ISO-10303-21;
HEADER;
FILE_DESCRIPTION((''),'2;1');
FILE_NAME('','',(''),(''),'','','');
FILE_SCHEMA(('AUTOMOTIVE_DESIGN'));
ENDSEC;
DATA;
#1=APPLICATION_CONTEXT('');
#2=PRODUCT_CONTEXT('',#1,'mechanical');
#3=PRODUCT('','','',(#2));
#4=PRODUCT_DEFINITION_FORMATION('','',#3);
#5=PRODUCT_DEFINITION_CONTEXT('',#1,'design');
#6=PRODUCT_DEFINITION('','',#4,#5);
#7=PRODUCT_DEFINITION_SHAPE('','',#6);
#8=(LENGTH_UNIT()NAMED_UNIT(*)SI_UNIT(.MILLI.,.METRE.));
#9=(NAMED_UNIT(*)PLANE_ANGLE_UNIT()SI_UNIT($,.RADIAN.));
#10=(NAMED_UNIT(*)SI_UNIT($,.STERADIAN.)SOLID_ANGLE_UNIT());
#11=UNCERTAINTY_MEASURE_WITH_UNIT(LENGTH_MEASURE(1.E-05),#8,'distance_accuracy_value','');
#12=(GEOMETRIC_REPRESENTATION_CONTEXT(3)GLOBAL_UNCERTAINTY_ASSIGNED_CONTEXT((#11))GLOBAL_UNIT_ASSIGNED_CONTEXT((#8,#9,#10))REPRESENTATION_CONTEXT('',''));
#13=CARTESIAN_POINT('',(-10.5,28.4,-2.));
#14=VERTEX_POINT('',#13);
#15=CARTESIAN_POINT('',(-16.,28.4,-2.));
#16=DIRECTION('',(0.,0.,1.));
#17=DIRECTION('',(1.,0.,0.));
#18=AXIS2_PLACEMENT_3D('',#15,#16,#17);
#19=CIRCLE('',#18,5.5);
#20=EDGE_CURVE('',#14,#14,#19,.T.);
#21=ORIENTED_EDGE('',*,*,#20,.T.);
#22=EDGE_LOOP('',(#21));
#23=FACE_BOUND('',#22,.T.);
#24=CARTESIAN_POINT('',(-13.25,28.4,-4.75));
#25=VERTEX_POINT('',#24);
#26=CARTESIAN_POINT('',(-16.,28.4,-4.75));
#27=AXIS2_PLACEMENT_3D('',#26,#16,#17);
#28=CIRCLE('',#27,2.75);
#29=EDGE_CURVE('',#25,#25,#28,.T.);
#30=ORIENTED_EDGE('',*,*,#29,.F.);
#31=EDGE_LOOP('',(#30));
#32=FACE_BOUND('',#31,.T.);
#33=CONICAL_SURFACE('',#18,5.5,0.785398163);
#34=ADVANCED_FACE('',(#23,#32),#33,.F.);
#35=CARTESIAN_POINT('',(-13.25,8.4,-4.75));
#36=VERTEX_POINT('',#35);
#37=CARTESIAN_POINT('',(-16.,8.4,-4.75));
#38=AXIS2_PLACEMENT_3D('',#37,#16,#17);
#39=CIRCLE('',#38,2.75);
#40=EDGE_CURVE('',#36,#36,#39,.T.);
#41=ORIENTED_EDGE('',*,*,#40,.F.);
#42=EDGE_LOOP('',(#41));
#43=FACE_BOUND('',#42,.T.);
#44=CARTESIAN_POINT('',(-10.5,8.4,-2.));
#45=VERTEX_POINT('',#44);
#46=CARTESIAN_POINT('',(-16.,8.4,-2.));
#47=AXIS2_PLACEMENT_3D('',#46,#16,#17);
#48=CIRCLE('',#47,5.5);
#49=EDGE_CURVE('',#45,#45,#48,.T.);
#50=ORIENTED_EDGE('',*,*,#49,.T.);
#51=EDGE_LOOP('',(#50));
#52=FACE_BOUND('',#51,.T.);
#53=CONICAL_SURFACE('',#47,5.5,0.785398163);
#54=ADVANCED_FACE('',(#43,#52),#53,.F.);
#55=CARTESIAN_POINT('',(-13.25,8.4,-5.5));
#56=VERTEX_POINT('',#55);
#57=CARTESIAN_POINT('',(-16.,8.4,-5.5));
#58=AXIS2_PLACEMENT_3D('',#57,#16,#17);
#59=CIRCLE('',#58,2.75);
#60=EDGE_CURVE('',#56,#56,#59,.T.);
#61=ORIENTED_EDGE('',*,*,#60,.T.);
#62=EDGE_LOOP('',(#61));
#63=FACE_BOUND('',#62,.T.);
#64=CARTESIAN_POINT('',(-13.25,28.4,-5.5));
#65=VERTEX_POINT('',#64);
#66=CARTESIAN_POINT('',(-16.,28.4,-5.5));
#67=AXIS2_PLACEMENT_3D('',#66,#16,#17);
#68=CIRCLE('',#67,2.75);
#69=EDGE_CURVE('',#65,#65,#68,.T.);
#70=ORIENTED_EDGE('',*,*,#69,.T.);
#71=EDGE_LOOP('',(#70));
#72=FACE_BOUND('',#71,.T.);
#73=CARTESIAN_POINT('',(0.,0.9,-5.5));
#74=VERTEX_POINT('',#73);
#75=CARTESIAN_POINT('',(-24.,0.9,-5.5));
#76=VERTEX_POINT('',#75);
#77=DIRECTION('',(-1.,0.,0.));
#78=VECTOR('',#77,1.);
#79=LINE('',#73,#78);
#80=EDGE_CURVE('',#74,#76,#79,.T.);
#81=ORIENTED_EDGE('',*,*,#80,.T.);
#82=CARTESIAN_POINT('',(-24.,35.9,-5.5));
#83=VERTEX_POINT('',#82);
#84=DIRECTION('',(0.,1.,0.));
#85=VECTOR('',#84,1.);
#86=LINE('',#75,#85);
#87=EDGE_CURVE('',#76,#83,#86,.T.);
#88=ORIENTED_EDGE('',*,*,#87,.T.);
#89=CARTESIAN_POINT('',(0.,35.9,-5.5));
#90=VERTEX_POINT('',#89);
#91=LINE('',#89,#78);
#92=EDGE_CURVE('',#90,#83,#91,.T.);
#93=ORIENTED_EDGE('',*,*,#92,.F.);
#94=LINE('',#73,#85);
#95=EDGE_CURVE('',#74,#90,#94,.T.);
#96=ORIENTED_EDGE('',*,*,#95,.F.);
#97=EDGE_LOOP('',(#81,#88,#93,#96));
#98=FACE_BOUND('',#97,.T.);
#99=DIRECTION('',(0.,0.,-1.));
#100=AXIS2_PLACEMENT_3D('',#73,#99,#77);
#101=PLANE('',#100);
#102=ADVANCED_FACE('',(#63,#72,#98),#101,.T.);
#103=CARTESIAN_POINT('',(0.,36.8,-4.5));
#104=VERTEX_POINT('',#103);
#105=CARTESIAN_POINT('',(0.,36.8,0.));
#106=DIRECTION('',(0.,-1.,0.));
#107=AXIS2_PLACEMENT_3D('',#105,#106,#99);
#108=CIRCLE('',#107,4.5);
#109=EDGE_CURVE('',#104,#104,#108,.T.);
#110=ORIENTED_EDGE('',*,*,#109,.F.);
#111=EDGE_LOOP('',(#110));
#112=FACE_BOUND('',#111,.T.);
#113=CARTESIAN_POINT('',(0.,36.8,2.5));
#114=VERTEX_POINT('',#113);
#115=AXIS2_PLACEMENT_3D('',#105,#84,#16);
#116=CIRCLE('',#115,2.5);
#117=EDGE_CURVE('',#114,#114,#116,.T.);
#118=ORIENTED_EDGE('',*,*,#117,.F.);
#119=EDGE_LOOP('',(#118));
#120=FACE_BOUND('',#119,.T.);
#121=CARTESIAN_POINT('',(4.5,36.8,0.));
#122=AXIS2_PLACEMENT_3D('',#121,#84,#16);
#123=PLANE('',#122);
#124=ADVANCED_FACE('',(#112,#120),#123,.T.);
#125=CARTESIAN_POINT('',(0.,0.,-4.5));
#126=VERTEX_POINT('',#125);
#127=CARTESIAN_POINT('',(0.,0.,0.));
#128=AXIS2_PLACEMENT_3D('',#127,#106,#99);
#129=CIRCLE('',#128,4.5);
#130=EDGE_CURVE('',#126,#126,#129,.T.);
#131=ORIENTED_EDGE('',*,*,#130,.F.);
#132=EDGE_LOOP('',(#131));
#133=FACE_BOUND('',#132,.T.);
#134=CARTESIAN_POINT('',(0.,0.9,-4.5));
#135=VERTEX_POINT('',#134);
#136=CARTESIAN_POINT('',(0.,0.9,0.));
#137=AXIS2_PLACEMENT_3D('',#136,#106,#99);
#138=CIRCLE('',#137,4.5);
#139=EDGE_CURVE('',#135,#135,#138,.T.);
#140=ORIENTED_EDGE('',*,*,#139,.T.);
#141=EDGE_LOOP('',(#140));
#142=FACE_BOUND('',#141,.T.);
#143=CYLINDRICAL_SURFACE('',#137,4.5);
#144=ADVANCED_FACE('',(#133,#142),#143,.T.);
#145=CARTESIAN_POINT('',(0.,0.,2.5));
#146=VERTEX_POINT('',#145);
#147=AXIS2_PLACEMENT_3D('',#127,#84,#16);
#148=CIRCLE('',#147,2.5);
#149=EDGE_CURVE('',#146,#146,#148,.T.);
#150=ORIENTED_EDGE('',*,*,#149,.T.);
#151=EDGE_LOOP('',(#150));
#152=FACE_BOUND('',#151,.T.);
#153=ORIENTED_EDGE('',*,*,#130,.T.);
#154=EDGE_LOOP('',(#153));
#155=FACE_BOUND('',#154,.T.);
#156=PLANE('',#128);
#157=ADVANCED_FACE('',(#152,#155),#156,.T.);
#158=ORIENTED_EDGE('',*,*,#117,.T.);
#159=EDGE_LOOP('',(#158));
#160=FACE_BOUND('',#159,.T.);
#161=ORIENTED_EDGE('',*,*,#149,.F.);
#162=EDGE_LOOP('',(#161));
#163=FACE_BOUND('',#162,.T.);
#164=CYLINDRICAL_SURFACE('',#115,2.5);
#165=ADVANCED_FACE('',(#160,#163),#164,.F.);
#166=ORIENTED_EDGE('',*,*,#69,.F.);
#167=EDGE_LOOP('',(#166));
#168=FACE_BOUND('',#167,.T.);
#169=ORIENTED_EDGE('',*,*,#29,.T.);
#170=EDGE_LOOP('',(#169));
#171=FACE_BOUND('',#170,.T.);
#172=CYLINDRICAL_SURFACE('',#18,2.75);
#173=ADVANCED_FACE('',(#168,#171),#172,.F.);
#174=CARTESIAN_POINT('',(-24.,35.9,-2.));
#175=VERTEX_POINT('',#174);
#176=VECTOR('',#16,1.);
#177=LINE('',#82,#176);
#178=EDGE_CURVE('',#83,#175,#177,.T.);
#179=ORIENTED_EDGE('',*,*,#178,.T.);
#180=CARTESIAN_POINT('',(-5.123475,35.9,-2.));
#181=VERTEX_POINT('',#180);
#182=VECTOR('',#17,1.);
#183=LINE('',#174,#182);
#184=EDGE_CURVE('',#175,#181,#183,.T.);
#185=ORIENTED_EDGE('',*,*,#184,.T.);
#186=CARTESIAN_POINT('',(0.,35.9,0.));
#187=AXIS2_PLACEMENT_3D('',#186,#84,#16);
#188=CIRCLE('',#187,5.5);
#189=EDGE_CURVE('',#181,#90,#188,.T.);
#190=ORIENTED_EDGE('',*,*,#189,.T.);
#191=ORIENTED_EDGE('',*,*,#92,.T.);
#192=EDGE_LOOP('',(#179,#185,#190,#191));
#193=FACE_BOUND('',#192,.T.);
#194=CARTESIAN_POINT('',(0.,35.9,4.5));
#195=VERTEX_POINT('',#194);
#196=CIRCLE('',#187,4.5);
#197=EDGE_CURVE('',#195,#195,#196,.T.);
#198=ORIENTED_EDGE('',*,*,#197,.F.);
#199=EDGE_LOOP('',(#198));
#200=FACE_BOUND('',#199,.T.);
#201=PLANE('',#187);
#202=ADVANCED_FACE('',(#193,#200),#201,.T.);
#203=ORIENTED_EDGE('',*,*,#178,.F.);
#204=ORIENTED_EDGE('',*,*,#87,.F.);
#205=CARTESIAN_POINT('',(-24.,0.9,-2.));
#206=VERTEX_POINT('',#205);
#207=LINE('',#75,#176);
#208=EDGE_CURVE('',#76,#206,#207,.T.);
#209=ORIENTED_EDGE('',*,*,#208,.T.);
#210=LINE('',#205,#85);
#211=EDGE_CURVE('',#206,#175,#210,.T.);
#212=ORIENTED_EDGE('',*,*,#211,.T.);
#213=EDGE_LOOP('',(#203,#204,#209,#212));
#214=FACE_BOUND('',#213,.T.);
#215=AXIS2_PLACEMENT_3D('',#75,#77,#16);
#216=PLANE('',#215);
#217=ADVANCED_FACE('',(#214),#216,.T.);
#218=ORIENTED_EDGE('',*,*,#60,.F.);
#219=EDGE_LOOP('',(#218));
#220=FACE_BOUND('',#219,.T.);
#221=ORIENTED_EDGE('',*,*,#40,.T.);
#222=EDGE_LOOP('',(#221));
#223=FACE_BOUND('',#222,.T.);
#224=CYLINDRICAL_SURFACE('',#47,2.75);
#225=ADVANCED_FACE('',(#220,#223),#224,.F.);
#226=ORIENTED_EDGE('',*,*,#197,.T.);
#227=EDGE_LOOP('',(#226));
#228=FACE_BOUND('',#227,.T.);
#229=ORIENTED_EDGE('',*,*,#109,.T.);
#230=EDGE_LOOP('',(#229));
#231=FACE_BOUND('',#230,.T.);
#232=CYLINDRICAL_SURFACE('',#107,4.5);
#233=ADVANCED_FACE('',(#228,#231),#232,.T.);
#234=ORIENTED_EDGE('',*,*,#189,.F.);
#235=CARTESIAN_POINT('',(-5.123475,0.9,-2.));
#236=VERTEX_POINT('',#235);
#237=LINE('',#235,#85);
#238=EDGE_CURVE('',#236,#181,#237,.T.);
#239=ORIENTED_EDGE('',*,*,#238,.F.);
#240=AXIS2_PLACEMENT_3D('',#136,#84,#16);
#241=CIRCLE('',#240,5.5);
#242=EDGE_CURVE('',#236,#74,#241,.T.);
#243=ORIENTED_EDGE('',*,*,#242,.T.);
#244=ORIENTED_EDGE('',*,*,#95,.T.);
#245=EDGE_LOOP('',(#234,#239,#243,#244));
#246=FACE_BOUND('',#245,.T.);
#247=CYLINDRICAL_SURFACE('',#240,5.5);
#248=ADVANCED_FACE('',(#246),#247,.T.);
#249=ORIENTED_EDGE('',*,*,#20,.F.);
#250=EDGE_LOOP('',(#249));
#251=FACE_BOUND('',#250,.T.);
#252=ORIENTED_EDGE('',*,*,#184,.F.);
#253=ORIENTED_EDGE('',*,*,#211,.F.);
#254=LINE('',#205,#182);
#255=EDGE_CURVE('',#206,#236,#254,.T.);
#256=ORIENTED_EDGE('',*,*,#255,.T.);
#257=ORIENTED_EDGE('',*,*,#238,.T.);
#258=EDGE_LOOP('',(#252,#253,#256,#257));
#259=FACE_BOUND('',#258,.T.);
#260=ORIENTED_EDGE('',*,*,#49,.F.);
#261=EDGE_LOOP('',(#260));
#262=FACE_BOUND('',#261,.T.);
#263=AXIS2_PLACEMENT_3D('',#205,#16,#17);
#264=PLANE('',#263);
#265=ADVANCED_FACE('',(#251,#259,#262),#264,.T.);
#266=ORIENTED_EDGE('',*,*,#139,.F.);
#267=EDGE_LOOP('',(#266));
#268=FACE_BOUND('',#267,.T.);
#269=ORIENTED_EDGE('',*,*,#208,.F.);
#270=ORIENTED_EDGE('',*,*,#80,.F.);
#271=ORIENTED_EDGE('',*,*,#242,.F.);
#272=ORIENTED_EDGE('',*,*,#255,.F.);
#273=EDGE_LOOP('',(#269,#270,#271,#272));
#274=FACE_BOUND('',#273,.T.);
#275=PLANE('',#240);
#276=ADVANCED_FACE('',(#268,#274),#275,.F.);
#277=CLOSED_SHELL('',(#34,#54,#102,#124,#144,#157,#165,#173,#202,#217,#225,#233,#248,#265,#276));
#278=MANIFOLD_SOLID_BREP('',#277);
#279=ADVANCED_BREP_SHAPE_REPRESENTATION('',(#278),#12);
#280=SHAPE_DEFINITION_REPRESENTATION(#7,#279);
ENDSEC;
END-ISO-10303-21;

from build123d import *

# Parameters (mm, degrees)
EXTRUDE1_DEPTH      = 35
SKETCH2_W           = 4.5
SKETCH2_H           = 0.9
SKETCH3_W           = 4.5
SKETCH3_H           = 0.9
HOLEWZD1_AT_2_COUNT = 2
HOLEWZD1_AT_2_PITCH = 20
HOLEWZD2_D          = 5
HOLEWZD2_DEPTH      = 36.8


with BuildPart() as part:
    # Sketch1 → Extrude1 (new body)
    with BuildSketch(Plane(origin=(0, 35.9, 0), x_dir=(1, 0, 0), z_dir=(0, 1, 0))):
        with BuildLine():
            Line((-24, 5.5), (-24, 2))
            Line((-24, 2), (-5.123475383, 2))
            ThreePointArc((-5.123475383, 2), (3.102418411, -4.541475531), (0, 5.5))
            Line((0, 5.5), (-24, 5.5))
        make_face()
    extrude(amount=-EXTRUDE1_DEPTH)

    # Sketch2 → Revolve1 (revolve)
    with BuildSketch(Plane.XY):
        with Locations((2.25, 0.45)):
            Rectangle(SKETCH2_W, SKETCH2_H)
    revolve(axis=Axis((0, 0.9, 0), (0, -1, 0)))

    # Sketch3 → Revolve2 (revolve)
    with BuildSketch(Plane.XY):
        with Locations((2.25, 36.35)):
            Rectangle(SKETCH3_W, SKETCH3_H)
    revolve(axis=Axis((0, 36.8, 0), (0, -1, 0)))

    # Sketch4 → HoleWzd1 (revolve, cut)
    with BuildSketch(Plane(origin=(-16, 28.4, -2), x_dir=(0, -1, 0), z_dir=(1, 0, 0))):
        Polygon((0, 0), (0, 3.5), (2.75, 3.5), (2.75, 2.75), (5.5, 0), align=None)
    holewzd1 = revolve(axis=Axis((-16, 28.4, 4.35), (0, 0, -1)), mode=Mode.SUBTRACT)

    # HoleWzd1 at 2: HoleWzd1 ×2
    with Locations(*[(0, -i * HOLEWZD1_AT_2_PITCH, 0) for i in range(1, HOLEWZD1_AT_2_COUNT)]):
        add(holewzd1, mode=Mode.SUBTRACT)

    # HoleWzd2
    with Locations(Plane(origin=(0, 36.8, 0), x_dir=(1, 0, 0), z_dir=(0, 1, 0))):
        with Locations((0, 0)):
            Hole(HOLEWZD2_D / 2, depth=HOLEWZD2_DEPTH)


solid = part.part
